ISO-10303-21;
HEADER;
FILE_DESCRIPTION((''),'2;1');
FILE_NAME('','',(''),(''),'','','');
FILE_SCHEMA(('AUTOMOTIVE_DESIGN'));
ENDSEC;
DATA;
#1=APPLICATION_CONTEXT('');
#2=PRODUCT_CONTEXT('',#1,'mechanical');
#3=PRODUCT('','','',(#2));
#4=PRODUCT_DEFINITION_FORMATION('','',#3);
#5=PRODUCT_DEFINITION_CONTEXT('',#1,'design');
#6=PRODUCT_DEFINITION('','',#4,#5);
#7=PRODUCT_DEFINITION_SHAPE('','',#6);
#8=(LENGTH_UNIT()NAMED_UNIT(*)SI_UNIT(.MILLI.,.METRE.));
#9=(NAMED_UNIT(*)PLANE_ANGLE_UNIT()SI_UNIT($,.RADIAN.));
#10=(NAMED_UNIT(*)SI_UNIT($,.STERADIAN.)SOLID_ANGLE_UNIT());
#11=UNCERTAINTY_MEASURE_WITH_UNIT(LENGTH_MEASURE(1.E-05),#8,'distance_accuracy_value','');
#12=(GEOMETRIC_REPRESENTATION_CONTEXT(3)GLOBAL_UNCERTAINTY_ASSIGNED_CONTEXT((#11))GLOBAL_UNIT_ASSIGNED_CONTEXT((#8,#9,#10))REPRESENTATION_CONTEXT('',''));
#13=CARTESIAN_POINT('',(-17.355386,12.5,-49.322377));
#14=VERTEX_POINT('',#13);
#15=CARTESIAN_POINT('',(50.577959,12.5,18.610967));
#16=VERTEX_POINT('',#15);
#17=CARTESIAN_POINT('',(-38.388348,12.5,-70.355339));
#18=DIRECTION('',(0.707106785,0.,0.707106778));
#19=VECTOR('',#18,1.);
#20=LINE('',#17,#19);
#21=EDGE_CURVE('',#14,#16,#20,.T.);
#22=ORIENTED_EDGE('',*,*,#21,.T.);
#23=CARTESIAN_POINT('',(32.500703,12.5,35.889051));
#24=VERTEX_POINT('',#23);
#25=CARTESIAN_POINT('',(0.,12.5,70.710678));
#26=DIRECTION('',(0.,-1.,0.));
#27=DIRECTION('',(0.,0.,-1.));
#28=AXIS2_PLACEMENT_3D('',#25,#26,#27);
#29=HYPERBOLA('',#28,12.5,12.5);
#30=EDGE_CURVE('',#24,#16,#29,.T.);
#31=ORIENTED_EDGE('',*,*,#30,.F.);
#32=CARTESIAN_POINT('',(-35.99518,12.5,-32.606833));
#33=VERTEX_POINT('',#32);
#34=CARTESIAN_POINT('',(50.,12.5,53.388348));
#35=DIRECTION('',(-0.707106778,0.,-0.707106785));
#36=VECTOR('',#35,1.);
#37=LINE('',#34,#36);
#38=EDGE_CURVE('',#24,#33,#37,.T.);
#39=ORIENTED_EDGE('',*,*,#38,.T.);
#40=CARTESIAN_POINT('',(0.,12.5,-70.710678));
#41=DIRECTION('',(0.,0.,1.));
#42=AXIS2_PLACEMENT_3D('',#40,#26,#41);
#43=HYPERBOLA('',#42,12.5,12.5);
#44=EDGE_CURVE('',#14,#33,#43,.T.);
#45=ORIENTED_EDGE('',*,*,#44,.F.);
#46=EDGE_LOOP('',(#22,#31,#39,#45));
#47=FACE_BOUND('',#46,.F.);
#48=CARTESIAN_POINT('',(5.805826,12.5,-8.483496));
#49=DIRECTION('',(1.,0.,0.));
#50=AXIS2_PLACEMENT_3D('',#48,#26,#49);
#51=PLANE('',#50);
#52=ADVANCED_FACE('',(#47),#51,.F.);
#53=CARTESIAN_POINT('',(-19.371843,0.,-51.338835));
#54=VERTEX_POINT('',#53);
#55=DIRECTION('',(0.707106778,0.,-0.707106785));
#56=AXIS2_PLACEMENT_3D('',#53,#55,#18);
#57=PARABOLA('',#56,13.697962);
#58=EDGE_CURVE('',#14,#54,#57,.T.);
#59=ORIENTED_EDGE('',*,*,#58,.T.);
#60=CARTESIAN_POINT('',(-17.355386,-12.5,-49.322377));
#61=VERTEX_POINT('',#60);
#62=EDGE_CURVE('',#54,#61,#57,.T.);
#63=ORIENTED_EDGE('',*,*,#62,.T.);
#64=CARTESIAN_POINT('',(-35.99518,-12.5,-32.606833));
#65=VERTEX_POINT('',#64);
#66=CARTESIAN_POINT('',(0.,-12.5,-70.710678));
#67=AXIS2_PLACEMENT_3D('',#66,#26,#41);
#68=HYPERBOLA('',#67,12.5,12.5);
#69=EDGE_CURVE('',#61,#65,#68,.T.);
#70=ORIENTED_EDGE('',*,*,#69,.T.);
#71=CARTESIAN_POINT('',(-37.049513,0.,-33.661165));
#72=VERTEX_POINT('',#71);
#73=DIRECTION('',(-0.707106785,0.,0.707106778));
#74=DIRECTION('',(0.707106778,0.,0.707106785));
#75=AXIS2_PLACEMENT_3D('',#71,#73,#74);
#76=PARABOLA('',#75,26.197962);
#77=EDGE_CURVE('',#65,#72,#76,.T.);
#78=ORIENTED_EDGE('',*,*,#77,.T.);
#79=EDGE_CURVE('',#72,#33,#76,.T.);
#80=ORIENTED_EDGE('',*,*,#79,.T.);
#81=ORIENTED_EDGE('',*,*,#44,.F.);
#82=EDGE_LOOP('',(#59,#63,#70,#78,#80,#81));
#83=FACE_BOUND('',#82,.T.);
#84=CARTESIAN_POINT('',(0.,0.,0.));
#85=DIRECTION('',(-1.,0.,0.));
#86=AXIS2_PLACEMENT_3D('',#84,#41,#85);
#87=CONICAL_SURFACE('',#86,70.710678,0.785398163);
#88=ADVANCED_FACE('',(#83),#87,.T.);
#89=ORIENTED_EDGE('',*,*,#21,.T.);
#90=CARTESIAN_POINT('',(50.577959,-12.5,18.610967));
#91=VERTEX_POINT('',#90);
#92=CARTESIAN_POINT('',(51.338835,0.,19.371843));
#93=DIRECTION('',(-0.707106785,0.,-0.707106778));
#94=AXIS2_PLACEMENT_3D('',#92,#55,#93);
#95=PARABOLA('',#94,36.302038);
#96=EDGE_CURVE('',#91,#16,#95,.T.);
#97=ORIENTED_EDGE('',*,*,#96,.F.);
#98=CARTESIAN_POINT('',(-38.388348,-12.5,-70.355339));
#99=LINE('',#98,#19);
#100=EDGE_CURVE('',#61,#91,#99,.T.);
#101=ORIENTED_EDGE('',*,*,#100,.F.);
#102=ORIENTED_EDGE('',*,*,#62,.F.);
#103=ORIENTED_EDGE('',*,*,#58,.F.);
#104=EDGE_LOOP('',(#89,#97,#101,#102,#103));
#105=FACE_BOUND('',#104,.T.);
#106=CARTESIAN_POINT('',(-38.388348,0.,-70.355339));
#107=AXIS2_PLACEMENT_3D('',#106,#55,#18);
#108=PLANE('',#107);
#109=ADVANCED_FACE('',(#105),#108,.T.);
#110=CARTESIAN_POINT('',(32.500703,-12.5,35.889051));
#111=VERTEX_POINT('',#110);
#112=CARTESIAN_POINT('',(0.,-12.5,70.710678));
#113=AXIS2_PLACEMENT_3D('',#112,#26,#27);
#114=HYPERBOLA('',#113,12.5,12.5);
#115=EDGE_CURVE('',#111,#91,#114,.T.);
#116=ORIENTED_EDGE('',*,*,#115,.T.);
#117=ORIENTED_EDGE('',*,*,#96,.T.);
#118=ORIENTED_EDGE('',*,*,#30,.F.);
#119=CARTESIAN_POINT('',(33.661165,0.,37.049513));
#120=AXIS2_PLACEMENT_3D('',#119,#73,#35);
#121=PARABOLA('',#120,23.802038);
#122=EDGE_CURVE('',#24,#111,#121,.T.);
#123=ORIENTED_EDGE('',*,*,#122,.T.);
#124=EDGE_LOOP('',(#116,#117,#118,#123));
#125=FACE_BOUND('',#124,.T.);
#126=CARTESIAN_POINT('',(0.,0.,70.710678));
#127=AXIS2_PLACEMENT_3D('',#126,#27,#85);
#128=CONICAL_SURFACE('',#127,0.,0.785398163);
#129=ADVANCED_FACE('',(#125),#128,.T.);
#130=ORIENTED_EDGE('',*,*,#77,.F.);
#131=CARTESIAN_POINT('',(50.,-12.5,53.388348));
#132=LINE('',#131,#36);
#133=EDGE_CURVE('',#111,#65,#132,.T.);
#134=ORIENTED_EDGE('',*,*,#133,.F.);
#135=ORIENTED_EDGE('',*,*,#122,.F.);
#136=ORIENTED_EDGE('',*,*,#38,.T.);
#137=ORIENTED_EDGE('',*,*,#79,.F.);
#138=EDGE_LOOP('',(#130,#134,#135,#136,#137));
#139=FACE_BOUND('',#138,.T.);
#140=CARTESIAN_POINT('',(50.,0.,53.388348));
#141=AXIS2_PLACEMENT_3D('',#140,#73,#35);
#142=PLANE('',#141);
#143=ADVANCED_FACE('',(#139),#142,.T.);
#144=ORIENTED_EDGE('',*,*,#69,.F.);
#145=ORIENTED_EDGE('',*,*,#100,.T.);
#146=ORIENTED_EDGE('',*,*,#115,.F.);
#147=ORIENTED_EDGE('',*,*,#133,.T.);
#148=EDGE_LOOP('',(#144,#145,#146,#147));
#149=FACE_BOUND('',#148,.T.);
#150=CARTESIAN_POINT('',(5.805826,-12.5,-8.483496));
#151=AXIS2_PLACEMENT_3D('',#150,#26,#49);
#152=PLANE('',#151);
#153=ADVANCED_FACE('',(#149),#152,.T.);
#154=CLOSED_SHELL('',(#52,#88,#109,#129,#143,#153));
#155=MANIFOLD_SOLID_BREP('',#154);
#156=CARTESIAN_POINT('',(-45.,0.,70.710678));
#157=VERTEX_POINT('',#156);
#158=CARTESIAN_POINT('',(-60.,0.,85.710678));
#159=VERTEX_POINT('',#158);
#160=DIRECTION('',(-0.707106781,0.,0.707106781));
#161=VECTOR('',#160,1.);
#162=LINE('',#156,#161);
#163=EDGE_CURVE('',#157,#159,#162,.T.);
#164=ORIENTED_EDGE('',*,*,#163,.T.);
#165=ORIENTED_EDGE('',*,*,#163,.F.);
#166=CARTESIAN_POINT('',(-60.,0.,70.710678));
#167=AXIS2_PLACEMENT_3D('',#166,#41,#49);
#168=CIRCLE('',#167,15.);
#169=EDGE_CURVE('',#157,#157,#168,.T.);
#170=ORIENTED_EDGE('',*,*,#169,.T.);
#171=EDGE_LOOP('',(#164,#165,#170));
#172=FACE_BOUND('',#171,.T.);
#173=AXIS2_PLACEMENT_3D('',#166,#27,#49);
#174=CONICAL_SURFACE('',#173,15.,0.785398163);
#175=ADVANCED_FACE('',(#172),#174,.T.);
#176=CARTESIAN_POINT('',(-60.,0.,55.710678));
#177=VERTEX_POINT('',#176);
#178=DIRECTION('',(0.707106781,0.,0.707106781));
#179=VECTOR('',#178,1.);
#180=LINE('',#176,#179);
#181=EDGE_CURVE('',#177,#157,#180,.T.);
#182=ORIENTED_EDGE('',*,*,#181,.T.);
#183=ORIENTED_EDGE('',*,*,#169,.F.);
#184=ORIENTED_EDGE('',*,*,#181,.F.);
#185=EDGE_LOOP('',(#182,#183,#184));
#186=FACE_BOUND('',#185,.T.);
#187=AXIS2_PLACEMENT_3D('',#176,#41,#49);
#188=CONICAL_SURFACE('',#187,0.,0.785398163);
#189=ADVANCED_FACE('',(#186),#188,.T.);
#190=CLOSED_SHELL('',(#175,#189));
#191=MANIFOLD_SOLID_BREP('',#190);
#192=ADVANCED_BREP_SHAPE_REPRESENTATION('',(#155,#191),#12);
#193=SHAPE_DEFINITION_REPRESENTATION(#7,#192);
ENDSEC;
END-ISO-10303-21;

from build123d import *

# Parameters (mm, degrees)
F5_DEPTH = 12.5


with BuildPart() as f1:
    # F0 (on Front) → F1 (revolve)
    with BuildSketch(Plane.XZ):
        Polygon((0, -70.710678), (0, 70.710678), (-70.710678, 0), align=None)
    revolve(axis=Axis((0, 0, -1.175915), (0, 0, -1)))


with BuildPart() as f3:
    # F2 (on Front) → F3 (revolve)
    with BuildSketch(Plane.XZ):
        Polygon((-60, 55.710678), (-45, 70.710678), (-60, 85.710678), align=None)
    revolve(axis=Axis((-60, 0, 69.177093), (0, 0, 1)))


with BuildPart() as f5:
    # F4 (on Front) → F5 (new body, symmetric)
    with BuildSketch(Plane.XZ):
        Polygon((67.67767, 35.710678), (50, 53.388348), (-56.066017, -52.67767), (-38.388348, -70.355339), align=None)
    extrude(amount=F5_DEPTH, both=True)

    # F6: intersect F1
    add(f1.part, mode=Mode.INTERSECT)


solid = Compound([f3.part, f5.part])
